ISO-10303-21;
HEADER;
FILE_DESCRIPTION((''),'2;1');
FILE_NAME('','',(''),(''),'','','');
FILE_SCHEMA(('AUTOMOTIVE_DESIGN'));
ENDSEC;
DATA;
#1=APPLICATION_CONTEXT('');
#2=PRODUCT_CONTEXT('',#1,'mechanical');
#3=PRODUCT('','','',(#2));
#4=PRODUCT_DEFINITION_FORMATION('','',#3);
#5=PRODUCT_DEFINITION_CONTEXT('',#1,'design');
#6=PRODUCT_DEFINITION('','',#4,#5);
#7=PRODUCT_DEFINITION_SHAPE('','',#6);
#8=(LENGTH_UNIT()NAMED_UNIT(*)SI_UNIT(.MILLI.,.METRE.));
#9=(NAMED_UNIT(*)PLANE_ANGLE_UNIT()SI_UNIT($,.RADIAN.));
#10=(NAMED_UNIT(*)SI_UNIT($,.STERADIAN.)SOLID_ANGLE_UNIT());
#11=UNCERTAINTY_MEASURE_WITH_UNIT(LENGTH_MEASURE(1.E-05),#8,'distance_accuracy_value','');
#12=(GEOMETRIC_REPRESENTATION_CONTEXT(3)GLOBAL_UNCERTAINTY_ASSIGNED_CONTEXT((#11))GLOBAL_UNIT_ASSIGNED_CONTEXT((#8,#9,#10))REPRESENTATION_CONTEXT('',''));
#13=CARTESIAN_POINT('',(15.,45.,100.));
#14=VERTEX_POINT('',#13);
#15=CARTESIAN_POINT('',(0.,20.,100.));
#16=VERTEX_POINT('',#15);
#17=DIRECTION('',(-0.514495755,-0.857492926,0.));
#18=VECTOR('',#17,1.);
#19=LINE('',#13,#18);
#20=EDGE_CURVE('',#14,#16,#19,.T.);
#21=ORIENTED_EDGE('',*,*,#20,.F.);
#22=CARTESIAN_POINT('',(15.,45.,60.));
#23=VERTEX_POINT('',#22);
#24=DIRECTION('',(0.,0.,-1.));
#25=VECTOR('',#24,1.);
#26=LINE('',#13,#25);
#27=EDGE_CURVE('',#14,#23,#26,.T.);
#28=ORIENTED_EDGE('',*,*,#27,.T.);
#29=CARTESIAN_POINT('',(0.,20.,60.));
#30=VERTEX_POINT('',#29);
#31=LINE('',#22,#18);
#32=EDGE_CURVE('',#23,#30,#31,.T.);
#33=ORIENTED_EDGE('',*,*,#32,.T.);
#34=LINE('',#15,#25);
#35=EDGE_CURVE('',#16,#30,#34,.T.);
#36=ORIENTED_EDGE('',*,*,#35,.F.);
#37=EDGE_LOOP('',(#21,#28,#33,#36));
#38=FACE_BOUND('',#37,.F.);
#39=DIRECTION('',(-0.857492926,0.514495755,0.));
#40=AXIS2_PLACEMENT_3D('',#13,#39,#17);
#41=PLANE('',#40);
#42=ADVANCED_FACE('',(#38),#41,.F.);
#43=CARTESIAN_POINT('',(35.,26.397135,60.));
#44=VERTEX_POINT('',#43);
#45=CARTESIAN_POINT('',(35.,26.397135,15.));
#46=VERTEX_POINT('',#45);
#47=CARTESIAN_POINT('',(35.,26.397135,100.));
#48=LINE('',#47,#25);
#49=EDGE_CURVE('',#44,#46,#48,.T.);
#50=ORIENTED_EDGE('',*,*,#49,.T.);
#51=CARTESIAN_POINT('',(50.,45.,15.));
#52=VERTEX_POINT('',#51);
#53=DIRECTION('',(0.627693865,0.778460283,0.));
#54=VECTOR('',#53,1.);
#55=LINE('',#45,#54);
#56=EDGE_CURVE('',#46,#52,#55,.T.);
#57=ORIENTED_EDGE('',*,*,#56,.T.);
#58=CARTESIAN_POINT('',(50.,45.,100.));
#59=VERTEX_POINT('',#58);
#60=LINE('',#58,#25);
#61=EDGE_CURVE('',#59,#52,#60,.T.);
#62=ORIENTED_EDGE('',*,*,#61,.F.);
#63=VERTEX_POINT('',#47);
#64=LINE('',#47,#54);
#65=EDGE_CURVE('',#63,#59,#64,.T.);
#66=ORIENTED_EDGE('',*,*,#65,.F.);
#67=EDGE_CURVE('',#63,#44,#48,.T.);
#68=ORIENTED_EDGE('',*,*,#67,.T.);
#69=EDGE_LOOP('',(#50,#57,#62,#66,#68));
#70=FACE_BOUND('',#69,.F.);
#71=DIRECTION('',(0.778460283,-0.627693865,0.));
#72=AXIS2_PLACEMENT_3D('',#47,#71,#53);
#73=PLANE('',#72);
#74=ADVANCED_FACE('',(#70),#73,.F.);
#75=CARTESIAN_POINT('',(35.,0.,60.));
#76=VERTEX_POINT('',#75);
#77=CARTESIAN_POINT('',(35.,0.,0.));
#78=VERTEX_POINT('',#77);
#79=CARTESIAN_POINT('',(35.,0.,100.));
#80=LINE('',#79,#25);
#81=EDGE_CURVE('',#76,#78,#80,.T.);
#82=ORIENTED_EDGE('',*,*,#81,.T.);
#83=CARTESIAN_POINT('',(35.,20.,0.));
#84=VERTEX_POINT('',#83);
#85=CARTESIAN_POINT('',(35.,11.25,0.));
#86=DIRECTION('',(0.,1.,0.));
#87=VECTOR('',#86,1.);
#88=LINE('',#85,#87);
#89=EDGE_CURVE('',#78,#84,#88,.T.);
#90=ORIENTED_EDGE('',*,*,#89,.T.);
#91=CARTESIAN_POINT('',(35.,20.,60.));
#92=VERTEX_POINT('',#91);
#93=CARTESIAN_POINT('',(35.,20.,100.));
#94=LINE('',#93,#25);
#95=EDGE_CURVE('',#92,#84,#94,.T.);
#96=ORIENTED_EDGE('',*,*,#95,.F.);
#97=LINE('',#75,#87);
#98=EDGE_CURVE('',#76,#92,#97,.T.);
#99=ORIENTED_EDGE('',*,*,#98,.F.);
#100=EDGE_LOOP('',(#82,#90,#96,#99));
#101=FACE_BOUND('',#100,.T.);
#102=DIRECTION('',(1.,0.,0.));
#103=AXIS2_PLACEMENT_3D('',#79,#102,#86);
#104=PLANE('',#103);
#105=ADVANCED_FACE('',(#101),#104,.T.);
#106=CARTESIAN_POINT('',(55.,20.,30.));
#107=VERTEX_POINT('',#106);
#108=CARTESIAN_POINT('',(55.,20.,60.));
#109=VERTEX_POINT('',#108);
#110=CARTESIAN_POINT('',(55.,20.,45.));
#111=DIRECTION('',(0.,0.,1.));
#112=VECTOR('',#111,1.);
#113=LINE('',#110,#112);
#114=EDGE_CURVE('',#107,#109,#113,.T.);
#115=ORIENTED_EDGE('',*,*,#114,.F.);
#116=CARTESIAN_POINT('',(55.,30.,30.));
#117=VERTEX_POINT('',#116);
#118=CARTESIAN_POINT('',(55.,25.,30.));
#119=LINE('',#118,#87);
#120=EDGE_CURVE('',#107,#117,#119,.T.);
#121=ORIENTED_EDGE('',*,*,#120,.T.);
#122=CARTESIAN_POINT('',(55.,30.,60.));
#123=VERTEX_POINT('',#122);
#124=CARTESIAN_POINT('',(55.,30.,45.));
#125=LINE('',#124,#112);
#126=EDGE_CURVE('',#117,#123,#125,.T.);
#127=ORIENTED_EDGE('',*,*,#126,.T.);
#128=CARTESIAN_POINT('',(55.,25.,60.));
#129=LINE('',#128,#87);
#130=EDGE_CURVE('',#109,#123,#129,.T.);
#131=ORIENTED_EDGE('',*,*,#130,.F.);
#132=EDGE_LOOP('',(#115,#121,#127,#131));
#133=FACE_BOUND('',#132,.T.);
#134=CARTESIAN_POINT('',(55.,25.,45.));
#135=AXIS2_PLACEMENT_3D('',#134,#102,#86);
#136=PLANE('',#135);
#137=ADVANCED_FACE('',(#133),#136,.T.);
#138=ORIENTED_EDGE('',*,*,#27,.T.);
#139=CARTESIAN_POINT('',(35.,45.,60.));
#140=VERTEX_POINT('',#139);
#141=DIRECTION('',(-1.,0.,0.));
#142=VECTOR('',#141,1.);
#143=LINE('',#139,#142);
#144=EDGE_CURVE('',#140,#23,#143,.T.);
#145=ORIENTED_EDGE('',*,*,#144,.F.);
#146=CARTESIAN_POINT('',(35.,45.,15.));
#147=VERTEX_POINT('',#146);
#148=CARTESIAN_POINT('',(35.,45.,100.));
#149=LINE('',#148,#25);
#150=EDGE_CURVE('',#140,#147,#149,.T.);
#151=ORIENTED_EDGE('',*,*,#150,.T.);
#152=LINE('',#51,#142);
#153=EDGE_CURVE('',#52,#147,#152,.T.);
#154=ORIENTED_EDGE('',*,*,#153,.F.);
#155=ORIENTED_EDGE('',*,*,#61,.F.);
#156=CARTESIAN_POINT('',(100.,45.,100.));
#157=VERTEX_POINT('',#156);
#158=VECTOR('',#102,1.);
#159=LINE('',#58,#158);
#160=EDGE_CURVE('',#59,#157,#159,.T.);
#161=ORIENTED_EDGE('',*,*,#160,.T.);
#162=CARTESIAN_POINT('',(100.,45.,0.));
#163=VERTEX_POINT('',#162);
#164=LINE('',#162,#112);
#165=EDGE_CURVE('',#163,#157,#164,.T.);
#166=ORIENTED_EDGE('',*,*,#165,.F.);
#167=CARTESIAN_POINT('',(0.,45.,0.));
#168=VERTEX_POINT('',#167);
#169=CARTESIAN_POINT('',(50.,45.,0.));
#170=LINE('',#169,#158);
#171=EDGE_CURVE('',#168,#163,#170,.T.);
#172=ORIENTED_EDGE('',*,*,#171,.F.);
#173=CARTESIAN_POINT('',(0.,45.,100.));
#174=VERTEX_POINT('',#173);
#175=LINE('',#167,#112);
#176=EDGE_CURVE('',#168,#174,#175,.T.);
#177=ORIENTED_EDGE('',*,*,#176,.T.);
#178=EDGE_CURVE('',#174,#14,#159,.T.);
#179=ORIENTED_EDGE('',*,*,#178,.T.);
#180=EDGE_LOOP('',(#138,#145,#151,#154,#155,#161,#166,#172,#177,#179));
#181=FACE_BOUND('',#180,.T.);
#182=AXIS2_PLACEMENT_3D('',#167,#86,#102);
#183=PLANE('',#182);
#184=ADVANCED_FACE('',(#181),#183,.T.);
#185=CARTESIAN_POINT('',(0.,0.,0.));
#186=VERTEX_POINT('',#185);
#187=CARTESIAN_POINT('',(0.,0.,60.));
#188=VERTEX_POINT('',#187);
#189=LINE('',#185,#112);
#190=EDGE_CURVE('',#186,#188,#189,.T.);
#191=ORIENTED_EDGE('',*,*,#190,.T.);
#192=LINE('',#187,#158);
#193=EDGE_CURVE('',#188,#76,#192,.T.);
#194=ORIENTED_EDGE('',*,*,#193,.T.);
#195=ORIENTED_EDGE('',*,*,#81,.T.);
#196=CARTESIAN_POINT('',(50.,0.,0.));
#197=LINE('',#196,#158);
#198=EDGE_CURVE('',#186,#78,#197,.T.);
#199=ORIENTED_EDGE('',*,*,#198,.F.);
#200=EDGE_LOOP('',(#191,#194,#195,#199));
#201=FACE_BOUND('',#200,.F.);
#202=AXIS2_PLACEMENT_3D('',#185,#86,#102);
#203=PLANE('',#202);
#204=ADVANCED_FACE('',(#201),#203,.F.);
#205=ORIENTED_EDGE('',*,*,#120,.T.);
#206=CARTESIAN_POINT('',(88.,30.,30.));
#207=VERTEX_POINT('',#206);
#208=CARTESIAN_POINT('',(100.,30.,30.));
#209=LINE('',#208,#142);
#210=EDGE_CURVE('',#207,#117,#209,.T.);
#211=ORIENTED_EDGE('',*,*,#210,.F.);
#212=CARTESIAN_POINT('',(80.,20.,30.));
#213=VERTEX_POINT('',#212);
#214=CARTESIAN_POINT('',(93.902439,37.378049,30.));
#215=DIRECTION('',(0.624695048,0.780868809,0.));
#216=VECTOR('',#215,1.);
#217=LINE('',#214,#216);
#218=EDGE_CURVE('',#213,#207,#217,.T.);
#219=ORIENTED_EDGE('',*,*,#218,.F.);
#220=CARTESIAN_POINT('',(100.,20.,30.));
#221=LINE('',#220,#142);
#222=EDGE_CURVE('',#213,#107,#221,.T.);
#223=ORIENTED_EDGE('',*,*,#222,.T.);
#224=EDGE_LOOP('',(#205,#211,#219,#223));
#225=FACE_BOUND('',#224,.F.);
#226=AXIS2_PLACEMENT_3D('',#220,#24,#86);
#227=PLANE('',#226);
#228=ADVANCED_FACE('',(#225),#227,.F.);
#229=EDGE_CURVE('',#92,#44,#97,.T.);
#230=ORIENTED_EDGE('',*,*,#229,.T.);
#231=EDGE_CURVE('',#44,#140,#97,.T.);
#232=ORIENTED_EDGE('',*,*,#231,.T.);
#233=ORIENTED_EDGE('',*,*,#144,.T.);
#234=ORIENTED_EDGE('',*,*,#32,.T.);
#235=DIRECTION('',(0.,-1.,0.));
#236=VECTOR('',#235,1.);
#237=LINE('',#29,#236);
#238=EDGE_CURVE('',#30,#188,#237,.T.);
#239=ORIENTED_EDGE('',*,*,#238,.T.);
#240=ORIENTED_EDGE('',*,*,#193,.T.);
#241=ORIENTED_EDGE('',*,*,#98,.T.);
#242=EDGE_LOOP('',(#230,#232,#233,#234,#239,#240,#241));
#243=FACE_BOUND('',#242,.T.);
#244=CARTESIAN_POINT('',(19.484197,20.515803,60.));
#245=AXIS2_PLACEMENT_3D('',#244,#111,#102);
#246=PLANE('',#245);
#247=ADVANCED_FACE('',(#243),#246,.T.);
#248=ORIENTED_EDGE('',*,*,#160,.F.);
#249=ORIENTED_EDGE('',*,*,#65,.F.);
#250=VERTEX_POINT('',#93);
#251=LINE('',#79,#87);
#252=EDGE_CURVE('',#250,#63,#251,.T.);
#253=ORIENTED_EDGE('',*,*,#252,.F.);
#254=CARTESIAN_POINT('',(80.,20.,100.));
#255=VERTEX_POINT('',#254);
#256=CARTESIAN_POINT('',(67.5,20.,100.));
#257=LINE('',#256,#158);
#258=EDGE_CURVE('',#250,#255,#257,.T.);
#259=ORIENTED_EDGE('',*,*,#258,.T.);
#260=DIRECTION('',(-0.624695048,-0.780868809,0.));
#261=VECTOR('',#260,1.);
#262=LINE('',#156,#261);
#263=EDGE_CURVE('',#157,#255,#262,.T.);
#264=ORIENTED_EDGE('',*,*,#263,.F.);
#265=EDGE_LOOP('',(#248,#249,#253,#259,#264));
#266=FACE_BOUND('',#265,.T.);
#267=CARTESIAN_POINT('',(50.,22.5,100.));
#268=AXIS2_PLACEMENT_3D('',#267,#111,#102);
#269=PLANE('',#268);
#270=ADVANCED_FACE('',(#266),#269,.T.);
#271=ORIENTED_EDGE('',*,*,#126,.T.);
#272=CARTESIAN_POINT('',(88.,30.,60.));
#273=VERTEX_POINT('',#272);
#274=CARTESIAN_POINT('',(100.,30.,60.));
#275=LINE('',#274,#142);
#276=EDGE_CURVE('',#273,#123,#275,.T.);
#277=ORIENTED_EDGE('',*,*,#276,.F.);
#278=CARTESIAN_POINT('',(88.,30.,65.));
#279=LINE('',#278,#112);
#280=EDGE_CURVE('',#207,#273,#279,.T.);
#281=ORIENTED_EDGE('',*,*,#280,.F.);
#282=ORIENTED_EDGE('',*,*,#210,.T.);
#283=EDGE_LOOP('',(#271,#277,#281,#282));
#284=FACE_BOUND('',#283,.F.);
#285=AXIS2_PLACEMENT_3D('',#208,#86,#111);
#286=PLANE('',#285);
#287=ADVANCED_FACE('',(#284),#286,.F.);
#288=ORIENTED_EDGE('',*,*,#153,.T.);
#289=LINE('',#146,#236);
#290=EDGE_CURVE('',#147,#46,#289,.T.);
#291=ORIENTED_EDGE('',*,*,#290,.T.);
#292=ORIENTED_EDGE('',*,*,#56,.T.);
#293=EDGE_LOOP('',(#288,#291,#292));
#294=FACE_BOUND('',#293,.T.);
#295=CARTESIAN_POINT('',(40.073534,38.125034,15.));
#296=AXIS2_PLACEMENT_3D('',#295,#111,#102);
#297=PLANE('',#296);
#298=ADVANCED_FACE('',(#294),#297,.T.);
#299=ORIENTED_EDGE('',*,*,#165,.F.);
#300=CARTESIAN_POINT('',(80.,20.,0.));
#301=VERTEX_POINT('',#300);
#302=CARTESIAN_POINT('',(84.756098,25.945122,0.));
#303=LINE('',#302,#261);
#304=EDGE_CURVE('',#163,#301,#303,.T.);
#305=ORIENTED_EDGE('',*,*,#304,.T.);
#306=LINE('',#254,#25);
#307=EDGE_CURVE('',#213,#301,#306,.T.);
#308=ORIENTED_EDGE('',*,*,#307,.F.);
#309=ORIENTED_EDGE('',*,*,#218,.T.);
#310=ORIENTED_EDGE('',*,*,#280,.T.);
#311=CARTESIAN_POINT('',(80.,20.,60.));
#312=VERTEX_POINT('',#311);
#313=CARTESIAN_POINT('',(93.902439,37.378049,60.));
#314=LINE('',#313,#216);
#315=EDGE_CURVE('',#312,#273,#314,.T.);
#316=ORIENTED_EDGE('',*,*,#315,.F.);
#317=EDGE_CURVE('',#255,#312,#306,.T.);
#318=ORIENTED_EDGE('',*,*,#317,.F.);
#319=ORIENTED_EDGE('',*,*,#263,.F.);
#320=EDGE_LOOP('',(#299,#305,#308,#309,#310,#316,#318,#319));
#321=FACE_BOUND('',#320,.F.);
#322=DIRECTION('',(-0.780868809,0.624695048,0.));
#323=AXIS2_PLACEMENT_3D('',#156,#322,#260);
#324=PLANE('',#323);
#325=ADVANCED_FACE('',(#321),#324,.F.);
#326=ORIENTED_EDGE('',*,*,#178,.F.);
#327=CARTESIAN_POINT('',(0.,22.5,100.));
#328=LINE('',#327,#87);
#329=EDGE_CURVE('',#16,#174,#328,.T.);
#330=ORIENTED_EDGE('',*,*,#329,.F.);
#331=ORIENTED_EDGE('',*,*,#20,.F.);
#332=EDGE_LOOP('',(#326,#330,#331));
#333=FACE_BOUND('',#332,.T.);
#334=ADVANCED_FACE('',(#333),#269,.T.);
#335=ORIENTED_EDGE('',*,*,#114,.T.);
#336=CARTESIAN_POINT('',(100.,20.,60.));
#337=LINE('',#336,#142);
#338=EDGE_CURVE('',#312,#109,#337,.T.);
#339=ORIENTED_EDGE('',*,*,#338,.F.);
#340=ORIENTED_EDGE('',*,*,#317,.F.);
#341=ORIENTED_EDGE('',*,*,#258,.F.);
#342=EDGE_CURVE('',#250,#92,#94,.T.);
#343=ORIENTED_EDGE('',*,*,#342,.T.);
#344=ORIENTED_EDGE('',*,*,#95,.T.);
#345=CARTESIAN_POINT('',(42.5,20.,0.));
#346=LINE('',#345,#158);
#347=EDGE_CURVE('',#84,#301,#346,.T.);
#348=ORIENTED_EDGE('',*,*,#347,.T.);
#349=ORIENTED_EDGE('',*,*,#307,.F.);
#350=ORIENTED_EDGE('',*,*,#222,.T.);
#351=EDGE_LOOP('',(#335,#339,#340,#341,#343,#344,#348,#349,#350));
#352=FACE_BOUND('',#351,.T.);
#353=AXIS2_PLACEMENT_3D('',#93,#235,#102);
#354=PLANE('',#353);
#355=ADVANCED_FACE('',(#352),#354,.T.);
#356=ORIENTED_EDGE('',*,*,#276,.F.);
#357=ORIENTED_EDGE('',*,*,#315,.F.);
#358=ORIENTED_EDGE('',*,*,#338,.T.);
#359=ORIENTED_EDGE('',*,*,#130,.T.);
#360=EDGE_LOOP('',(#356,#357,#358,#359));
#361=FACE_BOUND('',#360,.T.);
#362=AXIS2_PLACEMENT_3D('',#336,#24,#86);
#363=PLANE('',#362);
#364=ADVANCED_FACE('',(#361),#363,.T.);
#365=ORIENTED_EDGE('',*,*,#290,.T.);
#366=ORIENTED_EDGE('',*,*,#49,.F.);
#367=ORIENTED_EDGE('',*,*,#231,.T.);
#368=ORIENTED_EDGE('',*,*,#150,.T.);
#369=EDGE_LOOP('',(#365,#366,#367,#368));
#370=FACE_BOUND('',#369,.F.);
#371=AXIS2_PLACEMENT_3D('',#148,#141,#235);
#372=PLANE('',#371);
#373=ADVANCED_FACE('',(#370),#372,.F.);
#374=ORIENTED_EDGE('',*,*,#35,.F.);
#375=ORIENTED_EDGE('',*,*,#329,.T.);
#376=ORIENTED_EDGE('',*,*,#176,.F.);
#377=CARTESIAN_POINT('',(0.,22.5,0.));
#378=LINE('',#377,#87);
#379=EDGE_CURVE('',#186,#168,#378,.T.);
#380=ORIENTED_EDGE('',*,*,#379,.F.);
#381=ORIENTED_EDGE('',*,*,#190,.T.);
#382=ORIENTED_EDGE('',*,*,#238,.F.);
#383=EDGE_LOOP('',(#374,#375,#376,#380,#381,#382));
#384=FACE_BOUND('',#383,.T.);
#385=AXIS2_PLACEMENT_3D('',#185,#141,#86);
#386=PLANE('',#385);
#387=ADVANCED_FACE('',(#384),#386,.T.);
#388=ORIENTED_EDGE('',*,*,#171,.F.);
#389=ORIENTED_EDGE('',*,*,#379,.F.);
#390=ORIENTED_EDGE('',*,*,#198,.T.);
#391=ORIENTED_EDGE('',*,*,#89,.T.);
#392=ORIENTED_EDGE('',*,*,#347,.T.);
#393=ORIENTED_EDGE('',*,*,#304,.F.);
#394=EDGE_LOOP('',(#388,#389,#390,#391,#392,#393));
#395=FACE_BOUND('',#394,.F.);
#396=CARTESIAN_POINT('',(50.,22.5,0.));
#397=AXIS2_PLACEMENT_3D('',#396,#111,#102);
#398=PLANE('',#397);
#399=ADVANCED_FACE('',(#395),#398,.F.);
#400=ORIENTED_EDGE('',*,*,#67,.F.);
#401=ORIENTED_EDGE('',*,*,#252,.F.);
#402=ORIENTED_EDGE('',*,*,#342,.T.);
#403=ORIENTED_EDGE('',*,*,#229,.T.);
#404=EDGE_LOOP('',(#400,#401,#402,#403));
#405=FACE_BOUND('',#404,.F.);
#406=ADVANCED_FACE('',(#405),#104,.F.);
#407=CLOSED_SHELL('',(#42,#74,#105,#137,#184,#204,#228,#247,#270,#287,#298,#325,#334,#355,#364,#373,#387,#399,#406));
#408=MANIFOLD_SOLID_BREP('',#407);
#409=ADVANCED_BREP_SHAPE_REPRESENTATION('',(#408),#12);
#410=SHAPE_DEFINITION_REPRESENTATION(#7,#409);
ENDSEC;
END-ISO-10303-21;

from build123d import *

# Parameters (mm, degrees)
F0_W      = 100
F0_H      = 45
F1_DEPTH  = 100
F2_W      = 65
F2_H      = 20
F3_DEPTH  = 100.001
F6_DEPTH  = 40
F7_W      = 10
F7_H      = 30
F8_DEPTH  = 45
F10_DEPTH = 100.001
F13_DEPTH = 85


with BuildPart() as f1:
    # F0 (on Top) → F1 (new body)
    with BuildSketch(Plane.XY):
        with Locations((50, 22.5)):
            Rectangle(F0_W, F0_H)
    extrude(amount=F1_DEPTH)

    # F2 (on face) → F3 (cut, through all)
    with BuildSketch(Plane.XY.offset(100)):
        with Locations((67.5, 10)):
            Rectangle(F2_W, F2_H)
    extrude(amount=-F3_DEPTH, mode=Mode.SUBTRACT)

    # F5 (on face) → F6 (cut, through all)
    with BuildSketch(Plane.XY.offset(100)):
        Polygon((35, 0), (35, 20), (35, 45), (15, 45), (0, 20), (0, 0), align=None)
    extrude(amount=-F6_DEPTH, mode=Mode.SUBTRACT)

    # F7 (on face) → F8 (cut)
    with BuildSketch(Plane.YZ.offset(100)):
        with Locations((25, 45)):
            Rectangle(F7_W, F7_H)
    extrude(amount=-F8_DEPTH, mode=Mode.SUBTRACT)

    # F9 (on face) → F10 (cut, through all)
    with BuildSketch(Plane.XY.offset(100)):
        Polygon((100, 20), (100, 45), (80, 20), align=None)
    extrude(amount=-F10_DEPTH, mode=Mode.SUBTRACT)

    # F12 (on face) → F13 (cut, through all)
    with BuildSketch(Plane.XY.offset(100)):
        Polygon((50, 45), (35, 45), (35, 26.397135), align=None)
    extrude(amount=-F13_DEPTH, mode=Mode.SUBTRACT)


solid = f1.part
